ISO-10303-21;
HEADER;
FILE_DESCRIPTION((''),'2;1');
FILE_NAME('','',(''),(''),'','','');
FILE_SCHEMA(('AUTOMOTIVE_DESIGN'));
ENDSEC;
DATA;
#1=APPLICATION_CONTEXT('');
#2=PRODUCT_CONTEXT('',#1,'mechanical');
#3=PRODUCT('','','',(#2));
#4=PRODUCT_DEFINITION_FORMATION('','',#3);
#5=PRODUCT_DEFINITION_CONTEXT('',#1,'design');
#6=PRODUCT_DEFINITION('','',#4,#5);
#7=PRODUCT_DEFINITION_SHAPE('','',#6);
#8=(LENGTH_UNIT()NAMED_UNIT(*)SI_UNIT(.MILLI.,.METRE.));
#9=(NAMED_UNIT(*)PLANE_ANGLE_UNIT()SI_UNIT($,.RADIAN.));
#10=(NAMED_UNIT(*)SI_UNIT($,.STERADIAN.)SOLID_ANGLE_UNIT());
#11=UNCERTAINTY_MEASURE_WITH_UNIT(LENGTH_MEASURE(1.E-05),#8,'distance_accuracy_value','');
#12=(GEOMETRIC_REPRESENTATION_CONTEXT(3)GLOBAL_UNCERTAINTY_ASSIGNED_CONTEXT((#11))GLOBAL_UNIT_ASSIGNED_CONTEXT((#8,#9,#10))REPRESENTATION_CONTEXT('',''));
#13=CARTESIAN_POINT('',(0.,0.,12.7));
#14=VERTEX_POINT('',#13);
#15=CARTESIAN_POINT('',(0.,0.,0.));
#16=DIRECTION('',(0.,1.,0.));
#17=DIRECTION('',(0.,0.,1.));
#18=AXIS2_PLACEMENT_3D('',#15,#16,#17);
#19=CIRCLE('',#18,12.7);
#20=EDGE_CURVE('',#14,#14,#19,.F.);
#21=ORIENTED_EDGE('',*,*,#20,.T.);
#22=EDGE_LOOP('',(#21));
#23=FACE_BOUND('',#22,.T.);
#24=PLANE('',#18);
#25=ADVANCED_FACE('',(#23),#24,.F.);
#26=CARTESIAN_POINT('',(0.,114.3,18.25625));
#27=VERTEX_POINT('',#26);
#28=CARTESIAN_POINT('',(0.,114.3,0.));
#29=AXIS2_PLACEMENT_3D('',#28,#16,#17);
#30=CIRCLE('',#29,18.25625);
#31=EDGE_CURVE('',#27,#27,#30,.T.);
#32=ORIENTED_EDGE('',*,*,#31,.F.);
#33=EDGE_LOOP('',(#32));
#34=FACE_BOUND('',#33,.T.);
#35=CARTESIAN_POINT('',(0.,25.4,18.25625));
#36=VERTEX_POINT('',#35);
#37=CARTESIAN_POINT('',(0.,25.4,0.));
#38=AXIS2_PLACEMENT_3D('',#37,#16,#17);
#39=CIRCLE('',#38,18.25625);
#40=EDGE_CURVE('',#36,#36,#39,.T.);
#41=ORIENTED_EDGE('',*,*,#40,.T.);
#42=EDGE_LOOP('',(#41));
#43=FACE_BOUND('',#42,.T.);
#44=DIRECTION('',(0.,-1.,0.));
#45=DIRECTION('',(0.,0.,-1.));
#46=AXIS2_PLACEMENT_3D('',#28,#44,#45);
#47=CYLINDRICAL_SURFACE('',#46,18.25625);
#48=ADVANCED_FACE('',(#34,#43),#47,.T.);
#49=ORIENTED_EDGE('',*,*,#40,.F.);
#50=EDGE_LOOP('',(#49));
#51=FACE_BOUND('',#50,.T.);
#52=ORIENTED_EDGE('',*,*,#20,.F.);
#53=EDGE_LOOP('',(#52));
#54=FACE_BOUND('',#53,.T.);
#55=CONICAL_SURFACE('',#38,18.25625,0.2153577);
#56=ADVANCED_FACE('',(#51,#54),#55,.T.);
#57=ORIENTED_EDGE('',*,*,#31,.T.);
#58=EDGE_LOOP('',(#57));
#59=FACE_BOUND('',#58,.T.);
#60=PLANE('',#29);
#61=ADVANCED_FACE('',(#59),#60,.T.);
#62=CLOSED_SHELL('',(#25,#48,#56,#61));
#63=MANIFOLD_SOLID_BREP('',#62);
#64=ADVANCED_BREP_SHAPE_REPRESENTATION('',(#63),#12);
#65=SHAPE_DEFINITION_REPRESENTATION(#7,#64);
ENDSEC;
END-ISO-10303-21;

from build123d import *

# Parameters (mm, degrees)
SKETCH1_R           = 18.25625
BOSS_EXTRUDE1_DEPTH = 114.3
CHAMFER1_SIZE       = 5.55625
CHAMFER1_SIZE2      = 25.4


with BuildPart() as part:
    # Sketch1 → Boss-Extrude1 (new body)
    with BuildSketch(Plane(origin=(0, 0, 0), x_dir=(1, 0, 0), z_dir=(0, 1, 0))):
        Circle(SKETCH1_R)
    extrude(amount=BOSS_EXTRUDE1_DEPTH)

    # Chamfer1
    chamfer1_edges = [part.edges().sort_by_distance(p)[0] for p in [
        (-18.25625, 0, 0),
    ]]
    chamfer1_side = [part.faces().sort_by_distance(p)[0] for p in [
        (0, 0, 0),
    ]]
    chamfer(chamfer1_edges, length=CHAMFER1_SIZE, length2=CHAMFER1_SIZE2, reference=chamfer1_side[0])


solid = part.part
